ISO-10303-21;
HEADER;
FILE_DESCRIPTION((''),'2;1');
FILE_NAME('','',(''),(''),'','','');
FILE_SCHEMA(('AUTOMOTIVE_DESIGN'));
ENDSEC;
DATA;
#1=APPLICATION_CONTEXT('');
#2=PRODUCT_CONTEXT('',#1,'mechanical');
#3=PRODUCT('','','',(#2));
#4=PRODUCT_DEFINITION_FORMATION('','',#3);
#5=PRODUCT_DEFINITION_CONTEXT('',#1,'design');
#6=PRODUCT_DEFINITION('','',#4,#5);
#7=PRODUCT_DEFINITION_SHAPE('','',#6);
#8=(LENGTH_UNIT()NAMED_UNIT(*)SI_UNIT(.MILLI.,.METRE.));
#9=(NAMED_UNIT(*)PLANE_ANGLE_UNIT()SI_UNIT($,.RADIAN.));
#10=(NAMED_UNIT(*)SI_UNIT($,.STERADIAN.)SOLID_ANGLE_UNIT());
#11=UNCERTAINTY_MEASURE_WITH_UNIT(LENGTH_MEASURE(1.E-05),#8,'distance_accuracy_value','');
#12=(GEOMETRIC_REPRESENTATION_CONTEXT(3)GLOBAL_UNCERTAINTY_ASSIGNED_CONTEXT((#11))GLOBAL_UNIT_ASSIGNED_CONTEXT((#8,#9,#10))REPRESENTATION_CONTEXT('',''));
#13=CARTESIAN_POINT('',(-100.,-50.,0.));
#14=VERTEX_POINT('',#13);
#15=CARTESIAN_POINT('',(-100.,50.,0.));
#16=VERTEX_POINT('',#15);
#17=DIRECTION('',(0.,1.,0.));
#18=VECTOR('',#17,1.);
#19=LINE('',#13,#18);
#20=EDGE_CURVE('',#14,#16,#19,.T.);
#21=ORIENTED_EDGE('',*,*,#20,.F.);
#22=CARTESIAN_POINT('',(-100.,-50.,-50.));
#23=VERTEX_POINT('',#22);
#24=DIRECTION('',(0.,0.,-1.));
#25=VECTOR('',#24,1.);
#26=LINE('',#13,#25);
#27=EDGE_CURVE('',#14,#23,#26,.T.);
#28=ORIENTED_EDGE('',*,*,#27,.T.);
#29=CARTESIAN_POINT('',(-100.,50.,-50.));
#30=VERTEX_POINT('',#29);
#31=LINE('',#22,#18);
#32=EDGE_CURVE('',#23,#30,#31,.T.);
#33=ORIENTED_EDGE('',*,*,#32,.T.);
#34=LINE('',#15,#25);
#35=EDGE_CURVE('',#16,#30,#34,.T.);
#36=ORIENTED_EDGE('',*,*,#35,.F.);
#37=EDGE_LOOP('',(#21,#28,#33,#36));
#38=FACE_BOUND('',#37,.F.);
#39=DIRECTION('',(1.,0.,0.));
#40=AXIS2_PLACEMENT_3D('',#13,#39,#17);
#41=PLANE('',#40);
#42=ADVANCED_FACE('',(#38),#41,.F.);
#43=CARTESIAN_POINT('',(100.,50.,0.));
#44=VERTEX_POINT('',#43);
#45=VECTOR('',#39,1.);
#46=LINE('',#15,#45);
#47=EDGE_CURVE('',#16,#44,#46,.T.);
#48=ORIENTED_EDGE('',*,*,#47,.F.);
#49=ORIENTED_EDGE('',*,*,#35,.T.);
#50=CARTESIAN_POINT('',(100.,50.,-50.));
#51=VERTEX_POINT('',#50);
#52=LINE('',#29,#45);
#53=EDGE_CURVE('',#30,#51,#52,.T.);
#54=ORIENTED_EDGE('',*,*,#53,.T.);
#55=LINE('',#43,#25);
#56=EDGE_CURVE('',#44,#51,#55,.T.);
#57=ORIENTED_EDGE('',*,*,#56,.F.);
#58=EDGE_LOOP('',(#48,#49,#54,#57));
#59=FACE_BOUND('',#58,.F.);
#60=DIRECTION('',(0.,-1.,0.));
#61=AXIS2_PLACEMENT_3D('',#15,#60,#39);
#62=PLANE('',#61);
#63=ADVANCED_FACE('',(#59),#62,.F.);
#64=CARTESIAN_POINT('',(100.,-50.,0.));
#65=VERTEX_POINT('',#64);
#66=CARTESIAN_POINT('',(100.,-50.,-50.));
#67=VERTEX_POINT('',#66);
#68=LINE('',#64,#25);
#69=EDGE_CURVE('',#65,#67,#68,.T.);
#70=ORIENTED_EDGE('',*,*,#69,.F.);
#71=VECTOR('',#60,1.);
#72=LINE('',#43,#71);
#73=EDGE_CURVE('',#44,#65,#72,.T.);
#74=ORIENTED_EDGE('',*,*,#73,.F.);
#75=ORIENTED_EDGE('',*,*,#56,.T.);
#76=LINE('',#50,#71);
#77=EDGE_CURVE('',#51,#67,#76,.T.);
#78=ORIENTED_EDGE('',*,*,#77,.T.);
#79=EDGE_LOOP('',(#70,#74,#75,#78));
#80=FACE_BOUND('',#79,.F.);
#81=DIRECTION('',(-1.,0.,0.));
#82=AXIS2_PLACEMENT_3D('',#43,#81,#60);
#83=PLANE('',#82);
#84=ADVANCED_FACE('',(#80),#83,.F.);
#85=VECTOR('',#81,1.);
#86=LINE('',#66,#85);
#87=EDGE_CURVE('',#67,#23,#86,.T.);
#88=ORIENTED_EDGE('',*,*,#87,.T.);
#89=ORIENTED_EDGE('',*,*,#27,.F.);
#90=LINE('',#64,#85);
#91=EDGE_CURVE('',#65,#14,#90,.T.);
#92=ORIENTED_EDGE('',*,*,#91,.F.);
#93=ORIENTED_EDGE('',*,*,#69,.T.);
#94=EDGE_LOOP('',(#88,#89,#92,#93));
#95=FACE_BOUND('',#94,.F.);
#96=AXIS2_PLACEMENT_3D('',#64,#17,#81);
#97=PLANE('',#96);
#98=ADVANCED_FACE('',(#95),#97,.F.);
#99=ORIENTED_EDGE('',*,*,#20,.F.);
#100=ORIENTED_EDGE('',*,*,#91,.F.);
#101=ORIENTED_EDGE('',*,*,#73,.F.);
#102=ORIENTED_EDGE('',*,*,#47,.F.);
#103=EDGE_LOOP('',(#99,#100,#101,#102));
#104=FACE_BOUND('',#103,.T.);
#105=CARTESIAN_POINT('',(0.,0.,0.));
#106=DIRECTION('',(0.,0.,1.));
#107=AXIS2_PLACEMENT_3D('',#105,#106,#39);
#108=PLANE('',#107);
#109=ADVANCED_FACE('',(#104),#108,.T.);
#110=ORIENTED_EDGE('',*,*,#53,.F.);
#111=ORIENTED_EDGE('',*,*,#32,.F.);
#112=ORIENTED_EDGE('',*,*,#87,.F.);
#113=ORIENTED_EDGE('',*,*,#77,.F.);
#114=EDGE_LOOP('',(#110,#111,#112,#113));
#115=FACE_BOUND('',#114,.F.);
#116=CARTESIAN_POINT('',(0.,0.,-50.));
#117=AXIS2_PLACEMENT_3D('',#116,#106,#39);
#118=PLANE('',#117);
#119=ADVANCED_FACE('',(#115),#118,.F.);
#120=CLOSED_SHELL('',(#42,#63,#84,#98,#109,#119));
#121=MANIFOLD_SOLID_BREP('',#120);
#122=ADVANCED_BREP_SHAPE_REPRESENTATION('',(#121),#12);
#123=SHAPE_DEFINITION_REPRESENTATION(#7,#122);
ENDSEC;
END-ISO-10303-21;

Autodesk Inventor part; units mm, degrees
ref_plane "YZ Plane" through (0, 0, 0) normal (1, 0, 0) x (0, 1, 0)
sketch "スケッチ2" plane through (0, 0, 0) normal (0, 0, 1) x (1, 0, 0)
  line L0 (-100, 50) -> (100, 50)
  line L1 (100, 50) -> (100, -50)
  line L2 (100, -50) -> (-100, -50)
  line L3 (-100, -50) -> (-100, 50)
  point P0 (0, 0)
  point P1 (-100, 0)
  dimension "d2" = 200
  dimension "d3" = 100
  dimension "d4" = 100
extrude "押し出し1" add sketch "スケッチ2" against normal blind 50
properties part number "FootP_flat"
